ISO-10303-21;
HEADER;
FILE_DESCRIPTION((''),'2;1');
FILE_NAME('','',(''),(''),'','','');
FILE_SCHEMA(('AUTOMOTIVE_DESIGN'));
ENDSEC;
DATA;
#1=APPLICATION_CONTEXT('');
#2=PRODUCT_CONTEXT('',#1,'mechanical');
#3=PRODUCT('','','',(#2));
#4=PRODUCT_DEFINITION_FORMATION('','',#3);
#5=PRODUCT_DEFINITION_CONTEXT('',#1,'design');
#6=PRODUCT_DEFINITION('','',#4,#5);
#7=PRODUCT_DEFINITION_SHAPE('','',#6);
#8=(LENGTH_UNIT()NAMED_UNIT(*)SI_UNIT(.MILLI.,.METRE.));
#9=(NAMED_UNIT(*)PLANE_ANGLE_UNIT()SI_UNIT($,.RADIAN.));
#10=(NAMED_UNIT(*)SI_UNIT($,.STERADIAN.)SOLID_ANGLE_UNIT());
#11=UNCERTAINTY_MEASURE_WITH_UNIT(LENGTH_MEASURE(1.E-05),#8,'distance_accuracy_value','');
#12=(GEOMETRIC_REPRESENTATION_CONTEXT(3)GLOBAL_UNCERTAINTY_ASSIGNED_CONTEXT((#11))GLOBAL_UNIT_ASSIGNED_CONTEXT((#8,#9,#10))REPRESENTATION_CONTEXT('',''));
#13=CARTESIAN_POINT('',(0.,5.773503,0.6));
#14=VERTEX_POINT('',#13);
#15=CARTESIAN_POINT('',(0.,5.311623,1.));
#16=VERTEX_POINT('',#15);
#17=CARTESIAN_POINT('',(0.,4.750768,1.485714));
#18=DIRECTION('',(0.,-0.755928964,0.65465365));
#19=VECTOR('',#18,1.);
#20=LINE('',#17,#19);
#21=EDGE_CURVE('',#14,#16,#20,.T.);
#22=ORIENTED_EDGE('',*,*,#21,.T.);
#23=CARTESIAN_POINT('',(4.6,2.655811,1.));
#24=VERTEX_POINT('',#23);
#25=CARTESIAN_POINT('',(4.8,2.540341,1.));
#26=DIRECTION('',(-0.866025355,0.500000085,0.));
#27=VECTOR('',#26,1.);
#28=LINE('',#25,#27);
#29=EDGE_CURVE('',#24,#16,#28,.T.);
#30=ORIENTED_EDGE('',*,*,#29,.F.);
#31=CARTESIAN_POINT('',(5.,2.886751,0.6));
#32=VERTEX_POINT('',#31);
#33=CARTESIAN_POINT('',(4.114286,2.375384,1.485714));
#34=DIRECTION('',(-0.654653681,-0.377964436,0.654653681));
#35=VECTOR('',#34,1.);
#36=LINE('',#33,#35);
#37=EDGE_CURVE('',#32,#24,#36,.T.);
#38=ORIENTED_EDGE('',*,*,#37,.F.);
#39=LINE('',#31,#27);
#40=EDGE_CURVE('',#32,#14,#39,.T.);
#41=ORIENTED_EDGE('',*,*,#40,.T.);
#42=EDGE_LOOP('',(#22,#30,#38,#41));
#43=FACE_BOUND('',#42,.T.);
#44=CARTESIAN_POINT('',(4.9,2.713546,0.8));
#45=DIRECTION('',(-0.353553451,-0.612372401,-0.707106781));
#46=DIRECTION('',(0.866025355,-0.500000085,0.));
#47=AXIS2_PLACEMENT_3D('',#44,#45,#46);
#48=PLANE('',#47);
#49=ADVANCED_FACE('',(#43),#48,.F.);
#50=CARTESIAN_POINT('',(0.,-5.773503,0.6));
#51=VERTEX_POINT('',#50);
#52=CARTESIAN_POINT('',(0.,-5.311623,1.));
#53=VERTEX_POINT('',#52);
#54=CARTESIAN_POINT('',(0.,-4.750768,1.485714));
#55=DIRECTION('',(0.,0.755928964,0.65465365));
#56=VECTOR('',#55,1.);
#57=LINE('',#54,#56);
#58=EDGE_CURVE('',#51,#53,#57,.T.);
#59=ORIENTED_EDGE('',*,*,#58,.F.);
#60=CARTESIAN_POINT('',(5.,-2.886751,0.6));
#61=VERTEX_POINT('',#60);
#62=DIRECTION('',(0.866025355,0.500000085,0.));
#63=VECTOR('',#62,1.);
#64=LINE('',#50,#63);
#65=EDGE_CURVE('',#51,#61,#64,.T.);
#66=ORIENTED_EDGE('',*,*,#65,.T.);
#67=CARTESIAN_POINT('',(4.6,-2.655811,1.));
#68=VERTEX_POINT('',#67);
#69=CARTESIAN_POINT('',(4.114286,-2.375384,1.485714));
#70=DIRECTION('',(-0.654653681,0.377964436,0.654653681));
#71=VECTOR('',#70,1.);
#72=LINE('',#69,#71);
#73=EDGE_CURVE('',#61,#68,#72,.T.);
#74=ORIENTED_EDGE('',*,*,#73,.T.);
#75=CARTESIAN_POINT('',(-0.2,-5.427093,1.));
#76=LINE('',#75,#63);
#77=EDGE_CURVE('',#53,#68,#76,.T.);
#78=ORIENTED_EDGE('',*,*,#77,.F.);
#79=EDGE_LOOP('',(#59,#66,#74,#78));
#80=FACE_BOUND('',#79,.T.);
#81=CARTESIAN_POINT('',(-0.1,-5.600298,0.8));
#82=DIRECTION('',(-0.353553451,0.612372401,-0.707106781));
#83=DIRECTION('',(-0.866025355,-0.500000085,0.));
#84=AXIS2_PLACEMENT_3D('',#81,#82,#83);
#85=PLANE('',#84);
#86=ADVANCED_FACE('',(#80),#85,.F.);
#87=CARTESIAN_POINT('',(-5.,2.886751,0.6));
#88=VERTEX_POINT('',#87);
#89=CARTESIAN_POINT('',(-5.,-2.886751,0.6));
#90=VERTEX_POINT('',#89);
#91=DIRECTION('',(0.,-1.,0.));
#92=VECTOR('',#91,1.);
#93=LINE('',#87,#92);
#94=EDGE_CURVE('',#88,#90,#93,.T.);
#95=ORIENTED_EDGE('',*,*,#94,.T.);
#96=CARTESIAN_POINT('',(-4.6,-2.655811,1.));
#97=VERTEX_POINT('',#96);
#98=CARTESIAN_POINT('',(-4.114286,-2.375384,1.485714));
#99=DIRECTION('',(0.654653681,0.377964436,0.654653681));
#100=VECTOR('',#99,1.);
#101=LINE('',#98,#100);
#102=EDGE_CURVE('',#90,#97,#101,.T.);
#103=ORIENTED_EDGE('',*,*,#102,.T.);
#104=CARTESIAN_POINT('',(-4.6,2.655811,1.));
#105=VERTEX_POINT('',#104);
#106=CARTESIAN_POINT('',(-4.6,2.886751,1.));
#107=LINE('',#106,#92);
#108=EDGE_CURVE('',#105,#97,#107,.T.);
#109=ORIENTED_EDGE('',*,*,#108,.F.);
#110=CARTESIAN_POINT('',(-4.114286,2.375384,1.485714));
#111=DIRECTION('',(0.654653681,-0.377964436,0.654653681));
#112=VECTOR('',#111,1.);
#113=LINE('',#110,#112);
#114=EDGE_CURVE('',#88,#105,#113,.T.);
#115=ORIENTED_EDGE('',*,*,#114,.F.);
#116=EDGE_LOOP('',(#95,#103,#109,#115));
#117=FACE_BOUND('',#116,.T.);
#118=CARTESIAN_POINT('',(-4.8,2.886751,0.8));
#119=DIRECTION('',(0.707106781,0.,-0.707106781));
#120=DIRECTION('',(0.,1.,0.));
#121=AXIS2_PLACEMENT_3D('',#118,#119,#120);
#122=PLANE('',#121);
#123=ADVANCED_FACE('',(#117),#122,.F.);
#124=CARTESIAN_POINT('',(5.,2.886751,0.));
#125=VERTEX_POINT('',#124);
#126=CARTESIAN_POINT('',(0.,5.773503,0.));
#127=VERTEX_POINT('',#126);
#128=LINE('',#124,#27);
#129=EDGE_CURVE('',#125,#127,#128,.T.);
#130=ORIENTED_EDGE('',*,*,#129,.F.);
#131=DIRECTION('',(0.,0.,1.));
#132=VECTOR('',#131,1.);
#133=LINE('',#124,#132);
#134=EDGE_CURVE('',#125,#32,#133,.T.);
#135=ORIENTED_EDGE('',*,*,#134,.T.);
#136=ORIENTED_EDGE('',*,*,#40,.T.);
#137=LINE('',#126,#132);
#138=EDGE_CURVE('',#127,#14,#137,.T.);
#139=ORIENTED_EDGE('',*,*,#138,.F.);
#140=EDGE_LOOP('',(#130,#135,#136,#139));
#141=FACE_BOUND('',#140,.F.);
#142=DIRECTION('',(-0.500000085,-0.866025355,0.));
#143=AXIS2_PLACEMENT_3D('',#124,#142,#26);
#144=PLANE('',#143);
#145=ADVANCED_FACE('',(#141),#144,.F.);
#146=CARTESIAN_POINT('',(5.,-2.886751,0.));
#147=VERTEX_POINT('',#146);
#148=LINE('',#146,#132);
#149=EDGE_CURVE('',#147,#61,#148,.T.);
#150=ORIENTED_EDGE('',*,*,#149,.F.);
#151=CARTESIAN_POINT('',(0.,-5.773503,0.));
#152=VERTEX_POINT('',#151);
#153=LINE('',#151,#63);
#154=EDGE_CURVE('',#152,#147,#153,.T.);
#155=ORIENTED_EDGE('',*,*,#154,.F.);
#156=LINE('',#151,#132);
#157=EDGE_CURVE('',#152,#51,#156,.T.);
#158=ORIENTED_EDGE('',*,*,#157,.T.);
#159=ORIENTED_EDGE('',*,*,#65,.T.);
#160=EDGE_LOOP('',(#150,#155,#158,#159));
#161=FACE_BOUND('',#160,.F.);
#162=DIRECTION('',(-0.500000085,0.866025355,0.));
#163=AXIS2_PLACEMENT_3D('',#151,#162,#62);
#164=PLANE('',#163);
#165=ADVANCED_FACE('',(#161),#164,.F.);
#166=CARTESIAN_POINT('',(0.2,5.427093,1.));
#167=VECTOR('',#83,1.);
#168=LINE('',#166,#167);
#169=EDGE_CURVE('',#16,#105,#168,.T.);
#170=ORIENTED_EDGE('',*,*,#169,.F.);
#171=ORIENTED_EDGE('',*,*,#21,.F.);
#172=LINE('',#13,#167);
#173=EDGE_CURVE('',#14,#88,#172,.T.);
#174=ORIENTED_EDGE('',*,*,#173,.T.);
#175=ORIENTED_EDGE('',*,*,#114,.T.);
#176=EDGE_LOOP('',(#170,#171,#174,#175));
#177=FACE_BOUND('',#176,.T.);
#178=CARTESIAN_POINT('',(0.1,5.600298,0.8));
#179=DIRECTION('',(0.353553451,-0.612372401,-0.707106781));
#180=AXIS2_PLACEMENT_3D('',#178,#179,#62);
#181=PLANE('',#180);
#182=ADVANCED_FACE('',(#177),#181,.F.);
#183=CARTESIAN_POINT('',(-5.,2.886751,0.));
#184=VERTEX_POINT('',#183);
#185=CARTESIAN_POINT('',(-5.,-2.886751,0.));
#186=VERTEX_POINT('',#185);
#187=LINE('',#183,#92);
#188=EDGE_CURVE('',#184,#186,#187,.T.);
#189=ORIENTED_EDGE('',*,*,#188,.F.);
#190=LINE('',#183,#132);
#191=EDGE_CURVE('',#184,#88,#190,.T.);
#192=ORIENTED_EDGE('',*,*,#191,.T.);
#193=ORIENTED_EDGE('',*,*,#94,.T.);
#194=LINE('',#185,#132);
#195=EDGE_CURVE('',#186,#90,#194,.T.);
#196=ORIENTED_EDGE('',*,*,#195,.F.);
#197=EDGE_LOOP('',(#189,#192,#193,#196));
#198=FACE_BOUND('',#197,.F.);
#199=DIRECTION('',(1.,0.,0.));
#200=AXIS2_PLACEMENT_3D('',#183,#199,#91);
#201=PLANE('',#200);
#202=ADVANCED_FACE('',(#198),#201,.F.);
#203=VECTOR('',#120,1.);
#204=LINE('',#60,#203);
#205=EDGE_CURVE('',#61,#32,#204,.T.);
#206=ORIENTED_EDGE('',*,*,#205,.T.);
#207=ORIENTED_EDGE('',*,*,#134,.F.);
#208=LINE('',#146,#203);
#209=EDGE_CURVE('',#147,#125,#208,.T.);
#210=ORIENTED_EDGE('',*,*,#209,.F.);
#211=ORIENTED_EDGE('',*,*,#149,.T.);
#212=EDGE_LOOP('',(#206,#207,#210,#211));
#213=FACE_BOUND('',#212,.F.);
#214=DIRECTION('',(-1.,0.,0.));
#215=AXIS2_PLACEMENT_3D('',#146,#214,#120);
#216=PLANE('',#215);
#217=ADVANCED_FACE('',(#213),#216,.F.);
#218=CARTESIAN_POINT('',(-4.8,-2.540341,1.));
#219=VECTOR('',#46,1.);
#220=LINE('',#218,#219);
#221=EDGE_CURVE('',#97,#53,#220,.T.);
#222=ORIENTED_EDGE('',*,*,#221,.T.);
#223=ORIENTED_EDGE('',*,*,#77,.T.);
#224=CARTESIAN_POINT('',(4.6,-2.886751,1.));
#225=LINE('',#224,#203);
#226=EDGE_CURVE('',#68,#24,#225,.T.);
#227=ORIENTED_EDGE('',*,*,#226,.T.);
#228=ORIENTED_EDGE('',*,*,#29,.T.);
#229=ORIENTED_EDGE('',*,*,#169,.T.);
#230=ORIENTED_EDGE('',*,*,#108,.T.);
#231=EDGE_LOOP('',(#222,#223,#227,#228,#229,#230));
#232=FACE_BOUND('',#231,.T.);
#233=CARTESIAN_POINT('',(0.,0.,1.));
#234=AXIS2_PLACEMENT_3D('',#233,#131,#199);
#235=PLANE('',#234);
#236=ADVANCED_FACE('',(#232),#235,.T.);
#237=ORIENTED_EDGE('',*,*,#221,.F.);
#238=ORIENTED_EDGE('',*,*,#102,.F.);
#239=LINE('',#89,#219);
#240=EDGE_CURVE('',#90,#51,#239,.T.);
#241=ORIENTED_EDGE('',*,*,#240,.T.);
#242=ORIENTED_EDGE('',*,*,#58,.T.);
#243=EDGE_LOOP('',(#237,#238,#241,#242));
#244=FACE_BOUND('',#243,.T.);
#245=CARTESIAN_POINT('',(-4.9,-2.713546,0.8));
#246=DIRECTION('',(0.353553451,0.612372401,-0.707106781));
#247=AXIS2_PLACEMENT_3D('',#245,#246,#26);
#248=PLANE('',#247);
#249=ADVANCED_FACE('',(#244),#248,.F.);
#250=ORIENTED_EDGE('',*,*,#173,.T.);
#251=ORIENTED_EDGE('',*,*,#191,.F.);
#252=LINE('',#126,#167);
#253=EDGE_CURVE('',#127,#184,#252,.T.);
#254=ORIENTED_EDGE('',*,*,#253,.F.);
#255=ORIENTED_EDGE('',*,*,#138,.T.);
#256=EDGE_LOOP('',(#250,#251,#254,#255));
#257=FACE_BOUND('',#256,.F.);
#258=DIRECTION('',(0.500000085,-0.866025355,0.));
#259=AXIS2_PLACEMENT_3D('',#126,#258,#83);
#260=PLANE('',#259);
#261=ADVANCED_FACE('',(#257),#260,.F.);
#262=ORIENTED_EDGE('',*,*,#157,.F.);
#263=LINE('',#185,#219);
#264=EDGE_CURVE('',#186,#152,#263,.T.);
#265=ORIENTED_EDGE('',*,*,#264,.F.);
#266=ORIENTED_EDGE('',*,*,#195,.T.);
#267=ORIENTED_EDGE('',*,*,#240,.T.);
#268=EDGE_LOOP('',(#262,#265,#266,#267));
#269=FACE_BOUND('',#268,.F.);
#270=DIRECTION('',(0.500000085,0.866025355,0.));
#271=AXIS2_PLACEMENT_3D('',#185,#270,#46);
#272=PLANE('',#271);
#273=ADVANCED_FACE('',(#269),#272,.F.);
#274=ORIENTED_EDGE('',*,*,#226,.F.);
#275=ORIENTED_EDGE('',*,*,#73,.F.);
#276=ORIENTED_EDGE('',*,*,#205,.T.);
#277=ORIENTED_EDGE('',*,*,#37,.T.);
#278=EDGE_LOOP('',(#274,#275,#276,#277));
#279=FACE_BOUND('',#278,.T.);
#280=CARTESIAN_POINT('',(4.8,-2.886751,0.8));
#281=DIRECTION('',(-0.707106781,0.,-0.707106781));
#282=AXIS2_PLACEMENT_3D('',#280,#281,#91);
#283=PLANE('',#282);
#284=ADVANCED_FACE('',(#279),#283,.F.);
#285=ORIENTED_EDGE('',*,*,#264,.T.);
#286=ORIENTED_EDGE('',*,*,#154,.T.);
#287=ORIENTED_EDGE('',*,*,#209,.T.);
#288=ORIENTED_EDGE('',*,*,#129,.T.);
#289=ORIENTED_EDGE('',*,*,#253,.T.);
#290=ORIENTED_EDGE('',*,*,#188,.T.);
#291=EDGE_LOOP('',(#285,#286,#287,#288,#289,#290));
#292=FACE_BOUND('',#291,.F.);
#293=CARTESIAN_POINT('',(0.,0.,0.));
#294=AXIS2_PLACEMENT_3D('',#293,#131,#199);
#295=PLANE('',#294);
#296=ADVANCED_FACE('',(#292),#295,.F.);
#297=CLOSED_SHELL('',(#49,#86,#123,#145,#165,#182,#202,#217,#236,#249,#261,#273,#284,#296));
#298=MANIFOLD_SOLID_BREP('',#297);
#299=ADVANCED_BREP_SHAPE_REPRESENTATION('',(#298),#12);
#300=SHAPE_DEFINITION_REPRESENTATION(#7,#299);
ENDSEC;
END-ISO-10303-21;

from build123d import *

# Parameters (mm, degrees)
F1_DEPTH = 1
F2_SIZE  = 0.4


with BuildPart() as f1:
    # F0 (on Top) → F1 (new body)
    with BuildSketch(Plane.XY):
        Polygon((5, -2.886751), (5, 2.886751), (0, 5.773503), (-5, 2.886751), (-5, -2.886751), (0, -5.773503), align=None)
    extrude(amount=F1_DEPTH)

    # F2
    f2_edges = [f1.edges().sort_by_distance(p)[0] for p in [
        (-2.5, -4.330127, 1),
        (-5, 0, 1),
        (-2.5, 4.330127, 1),
        (2.5, 4.330127, 1),
        (5, 0, 1),
        (2.5, -4.330127, 1),
    ]]
    chamfer(f2_edges, length=F2_SIZE)


solid = f1.part
